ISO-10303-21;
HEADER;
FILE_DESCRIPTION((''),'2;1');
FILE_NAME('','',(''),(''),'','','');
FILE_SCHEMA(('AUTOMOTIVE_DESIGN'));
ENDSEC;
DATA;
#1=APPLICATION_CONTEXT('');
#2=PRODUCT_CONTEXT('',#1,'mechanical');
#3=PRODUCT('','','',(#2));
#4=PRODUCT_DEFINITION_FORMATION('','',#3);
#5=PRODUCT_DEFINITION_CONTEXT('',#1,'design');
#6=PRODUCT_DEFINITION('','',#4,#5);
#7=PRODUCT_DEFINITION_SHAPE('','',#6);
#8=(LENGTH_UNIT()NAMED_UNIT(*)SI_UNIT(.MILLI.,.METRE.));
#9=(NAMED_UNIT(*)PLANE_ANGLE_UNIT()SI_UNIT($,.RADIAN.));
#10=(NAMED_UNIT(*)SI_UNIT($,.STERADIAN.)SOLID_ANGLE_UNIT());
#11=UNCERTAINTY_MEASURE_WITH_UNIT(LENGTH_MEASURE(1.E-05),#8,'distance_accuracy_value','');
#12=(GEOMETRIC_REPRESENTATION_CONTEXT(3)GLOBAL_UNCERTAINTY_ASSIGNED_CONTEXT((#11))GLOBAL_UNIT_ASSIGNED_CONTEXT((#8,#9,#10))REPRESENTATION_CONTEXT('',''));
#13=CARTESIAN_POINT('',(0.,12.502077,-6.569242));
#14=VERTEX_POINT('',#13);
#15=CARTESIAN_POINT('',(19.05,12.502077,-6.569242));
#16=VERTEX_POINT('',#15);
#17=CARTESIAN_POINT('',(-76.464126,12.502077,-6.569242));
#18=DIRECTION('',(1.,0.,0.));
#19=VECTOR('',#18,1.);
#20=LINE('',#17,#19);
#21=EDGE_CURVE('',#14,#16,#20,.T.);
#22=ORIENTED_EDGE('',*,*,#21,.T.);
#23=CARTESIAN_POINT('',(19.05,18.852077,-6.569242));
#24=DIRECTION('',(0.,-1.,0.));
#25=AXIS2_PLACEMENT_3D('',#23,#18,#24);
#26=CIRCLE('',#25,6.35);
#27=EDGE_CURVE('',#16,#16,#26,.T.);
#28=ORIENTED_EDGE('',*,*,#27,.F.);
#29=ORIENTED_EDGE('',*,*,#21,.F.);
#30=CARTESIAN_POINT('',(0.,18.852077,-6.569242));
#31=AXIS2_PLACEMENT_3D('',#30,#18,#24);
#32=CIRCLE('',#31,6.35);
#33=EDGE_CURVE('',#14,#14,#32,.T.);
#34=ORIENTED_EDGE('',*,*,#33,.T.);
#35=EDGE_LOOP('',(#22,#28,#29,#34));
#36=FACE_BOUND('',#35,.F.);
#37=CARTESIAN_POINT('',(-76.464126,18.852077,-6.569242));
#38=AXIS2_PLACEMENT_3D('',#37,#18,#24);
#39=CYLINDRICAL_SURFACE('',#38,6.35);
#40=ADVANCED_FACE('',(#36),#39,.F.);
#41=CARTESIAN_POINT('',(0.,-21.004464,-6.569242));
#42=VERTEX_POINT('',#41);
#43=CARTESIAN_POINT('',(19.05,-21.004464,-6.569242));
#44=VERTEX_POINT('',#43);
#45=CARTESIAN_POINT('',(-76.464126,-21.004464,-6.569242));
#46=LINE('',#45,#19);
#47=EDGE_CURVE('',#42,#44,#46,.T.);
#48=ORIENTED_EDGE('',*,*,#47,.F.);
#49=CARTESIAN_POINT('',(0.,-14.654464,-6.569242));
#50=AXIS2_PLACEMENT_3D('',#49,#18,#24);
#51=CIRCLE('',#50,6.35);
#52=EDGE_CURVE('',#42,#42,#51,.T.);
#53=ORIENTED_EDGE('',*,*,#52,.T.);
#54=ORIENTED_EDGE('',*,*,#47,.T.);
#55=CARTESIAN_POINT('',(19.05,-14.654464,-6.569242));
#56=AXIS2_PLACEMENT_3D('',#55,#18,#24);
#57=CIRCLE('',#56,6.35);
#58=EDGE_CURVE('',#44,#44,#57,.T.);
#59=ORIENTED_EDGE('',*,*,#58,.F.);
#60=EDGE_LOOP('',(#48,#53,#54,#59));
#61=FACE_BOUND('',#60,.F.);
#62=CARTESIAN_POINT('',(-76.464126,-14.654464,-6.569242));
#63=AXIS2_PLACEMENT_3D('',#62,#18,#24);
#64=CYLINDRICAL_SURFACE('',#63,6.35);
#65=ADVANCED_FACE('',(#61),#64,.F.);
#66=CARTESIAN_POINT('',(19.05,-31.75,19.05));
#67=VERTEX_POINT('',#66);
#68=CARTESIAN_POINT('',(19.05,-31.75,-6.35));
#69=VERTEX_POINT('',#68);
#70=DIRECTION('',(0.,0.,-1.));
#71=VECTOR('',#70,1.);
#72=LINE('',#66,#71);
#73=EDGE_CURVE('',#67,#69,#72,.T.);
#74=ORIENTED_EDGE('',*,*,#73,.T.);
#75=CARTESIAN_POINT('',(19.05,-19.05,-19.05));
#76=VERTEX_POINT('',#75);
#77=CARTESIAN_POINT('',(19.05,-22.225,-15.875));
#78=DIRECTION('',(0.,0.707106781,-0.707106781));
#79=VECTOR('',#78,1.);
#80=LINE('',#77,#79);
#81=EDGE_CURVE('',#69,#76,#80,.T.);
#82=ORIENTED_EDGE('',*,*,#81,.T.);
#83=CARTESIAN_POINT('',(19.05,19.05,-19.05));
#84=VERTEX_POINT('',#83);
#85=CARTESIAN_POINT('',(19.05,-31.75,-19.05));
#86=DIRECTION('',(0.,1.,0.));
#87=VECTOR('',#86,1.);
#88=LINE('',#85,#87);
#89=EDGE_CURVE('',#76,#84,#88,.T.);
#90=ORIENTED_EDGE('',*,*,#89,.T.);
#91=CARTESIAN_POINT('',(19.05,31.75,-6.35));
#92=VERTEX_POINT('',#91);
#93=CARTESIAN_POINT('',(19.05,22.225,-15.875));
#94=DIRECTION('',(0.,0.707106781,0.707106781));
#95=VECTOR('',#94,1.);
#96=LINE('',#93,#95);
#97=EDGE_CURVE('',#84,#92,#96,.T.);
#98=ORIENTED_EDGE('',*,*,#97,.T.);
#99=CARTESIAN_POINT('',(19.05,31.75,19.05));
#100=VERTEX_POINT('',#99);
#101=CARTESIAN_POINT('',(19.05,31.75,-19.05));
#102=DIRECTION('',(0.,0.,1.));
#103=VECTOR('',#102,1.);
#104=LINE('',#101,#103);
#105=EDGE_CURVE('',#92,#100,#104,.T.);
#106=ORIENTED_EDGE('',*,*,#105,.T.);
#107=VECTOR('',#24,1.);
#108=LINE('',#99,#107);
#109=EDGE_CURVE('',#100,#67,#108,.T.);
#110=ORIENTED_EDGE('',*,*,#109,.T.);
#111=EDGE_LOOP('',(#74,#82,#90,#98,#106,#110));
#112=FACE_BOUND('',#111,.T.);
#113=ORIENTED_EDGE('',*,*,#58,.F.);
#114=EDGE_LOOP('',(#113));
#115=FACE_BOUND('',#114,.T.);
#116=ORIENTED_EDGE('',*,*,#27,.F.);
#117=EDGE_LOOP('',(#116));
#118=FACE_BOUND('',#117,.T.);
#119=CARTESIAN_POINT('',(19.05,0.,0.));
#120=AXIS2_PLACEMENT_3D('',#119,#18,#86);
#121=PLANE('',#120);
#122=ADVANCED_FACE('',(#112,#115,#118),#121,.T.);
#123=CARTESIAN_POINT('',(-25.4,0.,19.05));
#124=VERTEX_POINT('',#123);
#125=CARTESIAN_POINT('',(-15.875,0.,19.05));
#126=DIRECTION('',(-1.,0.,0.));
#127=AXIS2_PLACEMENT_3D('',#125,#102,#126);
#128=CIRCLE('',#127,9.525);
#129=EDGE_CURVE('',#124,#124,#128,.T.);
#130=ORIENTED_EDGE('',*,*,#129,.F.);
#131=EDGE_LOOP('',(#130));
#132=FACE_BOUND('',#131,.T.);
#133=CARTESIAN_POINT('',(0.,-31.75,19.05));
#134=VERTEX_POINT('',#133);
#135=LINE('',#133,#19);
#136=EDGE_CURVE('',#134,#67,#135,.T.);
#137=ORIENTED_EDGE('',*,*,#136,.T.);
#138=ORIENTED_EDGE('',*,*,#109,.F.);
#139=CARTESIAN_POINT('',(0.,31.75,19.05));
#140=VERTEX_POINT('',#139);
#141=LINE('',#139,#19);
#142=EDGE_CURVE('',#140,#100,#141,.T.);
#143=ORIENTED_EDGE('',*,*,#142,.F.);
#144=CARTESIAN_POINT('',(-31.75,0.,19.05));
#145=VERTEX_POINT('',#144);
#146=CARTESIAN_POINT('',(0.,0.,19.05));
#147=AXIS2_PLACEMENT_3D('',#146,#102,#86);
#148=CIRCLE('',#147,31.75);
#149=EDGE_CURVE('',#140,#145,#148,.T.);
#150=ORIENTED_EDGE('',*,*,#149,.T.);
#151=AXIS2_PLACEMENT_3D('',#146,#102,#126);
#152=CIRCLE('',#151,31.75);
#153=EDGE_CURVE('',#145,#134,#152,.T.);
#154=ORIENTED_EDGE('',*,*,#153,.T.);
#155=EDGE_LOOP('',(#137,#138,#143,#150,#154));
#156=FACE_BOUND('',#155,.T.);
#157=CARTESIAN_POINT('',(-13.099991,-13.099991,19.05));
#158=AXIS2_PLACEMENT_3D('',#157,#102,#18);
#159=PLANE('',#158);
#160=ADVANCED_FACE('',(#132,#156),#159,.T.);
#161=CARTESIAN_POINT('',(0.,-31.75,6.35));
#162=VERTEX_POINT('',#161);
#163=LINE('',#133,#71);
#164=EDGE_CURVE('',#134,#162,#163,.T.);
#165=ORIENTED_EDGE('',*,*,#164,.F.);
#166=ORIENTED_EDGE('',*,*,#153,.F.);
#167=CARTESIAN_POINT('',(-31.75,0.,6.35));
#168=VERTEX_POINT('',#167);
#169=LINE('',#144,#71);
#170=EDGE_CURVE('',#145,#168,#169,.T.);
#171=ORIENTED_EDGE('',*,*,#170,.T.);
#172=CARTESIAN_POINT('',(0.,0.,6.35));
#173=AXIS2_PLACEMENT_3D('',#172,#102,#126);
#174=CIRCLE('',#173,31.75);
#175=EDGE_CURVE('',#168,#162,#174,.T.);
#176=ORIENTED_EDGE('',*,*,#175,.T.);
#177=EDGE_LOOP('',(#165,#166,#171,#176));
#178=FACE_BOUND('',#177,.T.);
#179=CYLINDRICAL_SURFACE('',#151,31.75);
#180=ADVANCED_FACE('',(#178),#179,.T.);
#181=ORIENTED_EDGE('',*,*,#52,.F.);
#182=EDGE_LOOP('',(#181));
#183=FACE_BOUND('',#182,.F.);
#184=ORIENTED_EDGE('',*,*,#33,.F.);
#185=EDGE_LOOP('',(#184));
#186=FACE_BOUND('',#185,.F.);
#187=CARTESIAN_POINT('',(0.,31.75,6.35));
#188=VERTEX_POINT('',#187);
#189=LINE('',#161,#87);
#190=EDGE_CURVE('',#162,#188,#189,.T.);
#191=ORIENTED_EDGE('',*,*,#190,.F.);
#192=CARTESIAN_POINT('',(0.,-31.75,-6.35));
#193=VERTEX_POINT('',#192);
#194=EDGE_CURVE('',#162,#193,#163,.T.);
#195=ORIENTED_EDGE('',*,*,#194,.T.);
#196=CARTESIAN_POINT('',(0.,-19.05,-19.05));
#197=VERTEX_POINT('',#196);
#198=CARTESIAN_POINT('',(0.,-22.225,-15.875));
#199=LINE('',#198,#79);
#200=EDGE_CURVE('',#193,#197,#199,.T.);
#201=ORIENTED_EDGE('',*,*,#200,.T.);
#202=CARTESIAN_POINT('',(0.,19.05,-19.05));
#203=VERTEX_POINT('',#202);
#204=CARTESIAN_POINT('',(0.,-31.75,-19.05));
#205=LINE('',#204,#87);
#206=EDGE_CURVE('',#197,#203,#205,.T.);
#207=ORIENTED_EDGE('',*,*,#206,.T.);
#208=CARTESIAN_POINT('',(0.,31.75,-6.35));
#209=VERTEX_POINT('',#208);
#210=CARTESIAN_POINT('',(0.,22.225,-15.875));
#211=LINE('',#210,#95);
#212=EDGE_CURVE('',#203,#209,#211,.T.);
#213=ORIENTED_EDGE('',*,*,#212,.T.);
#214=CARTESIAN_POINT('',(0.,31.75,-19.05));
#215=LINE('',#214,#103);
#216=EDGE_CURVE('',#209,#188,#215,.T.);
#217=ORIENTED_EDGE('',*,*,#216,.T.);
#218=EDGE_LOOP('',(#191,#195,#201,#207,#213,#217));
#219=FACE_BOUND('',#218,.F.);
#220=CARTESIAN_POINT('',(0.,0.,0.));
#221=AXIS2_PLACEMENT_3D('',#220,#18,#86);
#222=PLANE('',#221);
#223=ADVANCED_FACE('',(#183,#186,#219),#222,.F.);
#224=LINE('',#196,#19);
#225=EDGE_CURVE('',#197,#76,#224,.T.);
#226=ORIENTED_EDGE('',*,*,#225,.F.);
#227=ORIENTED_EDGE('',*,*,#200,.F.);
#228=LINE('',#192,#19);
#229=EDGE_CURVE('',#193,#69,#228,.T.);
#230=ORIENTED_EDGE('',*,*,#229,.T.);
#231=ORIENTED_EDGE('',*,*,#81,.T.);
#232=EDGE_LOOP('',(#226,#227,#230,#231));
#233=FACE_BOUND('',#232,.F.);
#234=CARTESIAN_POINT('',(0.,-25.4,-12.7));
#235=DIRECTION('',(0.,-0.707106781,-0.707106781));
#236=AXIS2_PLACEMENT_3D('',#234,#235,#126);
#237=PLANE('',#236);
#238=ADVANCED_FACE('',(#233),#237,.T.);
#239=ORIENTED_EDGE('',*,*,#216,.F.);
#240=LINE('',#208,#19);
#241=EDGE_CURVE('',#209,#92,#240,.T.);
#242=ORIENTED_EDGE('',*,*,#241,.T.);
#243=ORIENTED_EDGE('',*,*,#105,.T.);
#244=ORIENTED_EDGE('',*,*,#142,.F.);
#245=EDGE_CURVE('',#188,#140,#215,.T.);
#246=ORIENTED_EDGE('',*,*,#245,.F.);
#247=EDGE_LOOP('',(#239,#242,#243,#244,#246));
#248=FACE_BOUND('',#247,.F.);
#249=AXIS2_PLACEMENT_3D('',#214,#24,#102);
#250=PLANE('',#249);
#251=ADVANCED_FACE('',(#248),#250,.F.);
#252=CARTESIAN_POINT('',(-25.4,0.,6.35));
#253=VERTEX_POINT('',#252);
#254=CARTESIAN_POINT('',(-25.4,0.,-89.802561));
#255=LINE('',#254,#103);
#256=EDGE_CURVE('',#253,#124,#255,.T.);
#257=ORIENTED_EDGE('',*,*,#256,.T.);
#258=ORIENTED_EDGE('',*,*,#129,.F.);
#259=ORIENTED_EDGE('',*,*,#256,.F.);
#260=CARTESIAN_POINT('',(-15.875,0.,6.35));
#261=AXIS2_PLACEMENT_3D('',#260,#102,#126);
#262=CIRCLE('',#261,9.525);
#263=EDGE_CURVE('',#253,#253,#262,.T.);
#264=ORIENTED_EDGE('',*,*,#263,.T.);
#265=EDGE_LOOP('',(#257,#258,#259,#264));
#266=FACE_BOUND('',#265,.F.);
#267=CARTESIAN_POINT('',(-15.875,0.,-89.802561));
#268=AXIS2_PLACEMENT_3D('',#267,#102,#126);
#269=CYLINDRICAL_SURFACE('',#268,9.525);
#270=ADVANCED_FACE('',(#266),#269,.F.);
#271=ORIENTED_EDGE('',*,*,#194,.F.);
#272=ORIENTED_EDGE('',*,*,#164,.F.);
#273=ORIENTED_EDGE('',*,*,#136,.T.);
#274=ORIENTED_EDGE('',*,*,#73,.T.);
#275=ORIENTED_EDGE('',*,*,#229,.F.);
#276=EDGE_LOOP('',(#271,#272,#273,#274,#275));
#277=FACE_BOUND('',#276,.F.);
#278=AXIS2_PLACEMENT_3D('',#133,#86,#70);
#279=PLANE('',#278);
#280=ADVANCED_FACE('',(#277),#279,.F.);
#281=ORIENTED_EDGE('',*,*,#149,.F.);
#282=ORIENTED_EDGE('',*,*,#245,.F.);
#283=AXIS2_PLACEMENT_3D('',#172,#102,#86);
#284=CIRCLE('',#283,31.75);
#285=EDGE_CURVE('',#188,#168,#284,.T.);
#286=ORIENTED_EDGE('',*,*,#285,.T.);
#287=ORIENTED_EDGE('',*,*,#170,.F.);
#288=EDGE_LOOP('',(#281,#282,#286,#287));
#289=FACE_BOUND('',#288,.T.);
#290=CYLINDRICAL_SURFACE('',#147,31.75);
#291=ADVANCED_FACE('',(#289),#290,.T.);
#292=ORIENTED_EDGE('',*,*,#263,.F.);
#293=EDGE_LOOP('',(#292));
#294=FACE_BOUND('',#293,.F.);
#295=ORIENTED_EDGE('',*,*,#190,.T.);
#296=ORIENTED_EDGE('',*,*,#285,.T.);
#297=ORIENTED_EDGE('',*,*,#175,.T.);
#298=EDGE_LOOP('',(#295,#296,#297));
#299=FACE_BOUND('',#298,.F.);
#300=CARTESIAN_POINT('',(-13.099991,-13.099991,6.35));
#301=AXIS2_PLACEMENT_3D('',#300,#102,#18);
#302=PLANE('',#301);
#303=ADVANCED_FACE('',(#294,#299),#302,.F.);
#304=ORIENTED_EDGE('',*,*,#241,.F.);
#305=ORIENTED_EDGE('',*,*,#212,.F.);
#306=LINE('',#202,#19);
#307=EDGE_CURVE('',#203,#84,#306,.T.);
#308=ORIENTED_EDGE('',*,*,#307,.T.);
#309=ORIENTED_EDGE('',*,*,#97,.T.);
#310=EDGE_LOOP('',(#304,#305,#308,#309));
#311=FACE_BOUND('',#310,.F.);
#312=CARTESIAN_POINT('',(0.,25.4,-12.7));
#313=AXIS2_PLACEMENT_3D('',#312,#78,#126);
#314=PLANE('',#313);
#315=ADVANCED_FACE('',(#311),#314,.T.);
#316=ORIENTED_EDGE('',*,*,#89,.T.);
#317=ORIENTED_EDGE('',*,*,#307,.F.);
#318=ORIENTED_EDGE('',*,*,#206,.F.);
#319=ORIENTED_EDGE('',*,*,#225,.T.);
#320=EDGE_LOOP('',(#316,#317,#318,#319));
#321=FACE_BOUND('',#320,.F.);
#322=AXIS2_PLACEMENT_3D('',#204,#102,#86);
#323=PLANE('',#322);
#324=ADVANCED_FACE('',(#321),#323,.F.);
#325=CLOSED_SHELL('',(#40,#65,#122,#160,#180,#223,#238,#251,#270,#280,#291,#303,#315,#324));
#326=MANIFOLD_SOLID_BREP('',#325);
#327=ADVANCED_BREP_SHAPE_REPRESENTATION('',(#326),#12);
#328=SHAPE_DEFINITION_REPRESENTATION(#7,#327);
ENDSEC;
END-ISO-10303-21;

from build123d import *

# Parameters (mm, degrees)
F1_DEPTH = 19.05
F2_SIZE  = 12.7
F3_SIZE  = 12.7
F4_D     = 12.7
F6_DEPTH = 12.7
F8_D     = 19.05


with BuildPart() as f1:
    # F0 (on Right) → F1 (new body)
    with BuildSketch(Plane.YZ):
        Polygon((-31.75, 19.05), (-31.75, -19.05), (31.75, -19.05), (31.75, 19.05), (0, 19.05), align=None)
    extrude(amount=F1_DEPTH)

    # F2
    f2_edges = [f1.edges().sort_by_distance(p)[0] for p in [
        (9.525, -31.75, -19.05),
    ]]
    chamfer(f2_edges, length=F2_SIZE)

    # F3
    f3_edges = [f1.edges().sort_by_distance(p)[0] for p in [
        (9.525, 31.75, -19.05),
    ]]
    chamfer(f3_edges, length=F3_SIZE)

    # F4 (through all)
    with Locations(Plane(origin=(0, 0, 0), x_dir=(0, 1, 0), z_dir=(-1, 0, 0))):
        with Locations((-14.6544640884, 6.5692421049), (18.8520774245, 6.5692421049)):
            Hole(F4_D / 2)

    # F5 (on face) → F6 (join)
    with BuildSketch(Plane.XY.offset(19.05)):
        with BuildLine():
            Line((0, -31.75), (0, 0))
            Line((0, 0), (-31.75, 0))
            ThreePointArc((-31.75, 0), (-22.4506403027, -22.4506403027), (0, -31.75))
        make_face()
        with BuildLine():
            Line((-31.75, 0), (0, 0))
            Line((0, 0), (0, 31.75))
            ThreePointArc((0, 31.75), (-22.4506403027, 22.4506403027), (-31.75, 0))
        make_face()
    extrude(amount=-F6_DEPTH)

    # F8 (through all)
    with Locations(Plane(origin=(0, 0, 0), x_dir=(1, 0, 0), z_dir=(0, 0, -1))):
        with Locations((-15.875, 0)):
            Hole(F8_D / 2)


solid = f1.part
